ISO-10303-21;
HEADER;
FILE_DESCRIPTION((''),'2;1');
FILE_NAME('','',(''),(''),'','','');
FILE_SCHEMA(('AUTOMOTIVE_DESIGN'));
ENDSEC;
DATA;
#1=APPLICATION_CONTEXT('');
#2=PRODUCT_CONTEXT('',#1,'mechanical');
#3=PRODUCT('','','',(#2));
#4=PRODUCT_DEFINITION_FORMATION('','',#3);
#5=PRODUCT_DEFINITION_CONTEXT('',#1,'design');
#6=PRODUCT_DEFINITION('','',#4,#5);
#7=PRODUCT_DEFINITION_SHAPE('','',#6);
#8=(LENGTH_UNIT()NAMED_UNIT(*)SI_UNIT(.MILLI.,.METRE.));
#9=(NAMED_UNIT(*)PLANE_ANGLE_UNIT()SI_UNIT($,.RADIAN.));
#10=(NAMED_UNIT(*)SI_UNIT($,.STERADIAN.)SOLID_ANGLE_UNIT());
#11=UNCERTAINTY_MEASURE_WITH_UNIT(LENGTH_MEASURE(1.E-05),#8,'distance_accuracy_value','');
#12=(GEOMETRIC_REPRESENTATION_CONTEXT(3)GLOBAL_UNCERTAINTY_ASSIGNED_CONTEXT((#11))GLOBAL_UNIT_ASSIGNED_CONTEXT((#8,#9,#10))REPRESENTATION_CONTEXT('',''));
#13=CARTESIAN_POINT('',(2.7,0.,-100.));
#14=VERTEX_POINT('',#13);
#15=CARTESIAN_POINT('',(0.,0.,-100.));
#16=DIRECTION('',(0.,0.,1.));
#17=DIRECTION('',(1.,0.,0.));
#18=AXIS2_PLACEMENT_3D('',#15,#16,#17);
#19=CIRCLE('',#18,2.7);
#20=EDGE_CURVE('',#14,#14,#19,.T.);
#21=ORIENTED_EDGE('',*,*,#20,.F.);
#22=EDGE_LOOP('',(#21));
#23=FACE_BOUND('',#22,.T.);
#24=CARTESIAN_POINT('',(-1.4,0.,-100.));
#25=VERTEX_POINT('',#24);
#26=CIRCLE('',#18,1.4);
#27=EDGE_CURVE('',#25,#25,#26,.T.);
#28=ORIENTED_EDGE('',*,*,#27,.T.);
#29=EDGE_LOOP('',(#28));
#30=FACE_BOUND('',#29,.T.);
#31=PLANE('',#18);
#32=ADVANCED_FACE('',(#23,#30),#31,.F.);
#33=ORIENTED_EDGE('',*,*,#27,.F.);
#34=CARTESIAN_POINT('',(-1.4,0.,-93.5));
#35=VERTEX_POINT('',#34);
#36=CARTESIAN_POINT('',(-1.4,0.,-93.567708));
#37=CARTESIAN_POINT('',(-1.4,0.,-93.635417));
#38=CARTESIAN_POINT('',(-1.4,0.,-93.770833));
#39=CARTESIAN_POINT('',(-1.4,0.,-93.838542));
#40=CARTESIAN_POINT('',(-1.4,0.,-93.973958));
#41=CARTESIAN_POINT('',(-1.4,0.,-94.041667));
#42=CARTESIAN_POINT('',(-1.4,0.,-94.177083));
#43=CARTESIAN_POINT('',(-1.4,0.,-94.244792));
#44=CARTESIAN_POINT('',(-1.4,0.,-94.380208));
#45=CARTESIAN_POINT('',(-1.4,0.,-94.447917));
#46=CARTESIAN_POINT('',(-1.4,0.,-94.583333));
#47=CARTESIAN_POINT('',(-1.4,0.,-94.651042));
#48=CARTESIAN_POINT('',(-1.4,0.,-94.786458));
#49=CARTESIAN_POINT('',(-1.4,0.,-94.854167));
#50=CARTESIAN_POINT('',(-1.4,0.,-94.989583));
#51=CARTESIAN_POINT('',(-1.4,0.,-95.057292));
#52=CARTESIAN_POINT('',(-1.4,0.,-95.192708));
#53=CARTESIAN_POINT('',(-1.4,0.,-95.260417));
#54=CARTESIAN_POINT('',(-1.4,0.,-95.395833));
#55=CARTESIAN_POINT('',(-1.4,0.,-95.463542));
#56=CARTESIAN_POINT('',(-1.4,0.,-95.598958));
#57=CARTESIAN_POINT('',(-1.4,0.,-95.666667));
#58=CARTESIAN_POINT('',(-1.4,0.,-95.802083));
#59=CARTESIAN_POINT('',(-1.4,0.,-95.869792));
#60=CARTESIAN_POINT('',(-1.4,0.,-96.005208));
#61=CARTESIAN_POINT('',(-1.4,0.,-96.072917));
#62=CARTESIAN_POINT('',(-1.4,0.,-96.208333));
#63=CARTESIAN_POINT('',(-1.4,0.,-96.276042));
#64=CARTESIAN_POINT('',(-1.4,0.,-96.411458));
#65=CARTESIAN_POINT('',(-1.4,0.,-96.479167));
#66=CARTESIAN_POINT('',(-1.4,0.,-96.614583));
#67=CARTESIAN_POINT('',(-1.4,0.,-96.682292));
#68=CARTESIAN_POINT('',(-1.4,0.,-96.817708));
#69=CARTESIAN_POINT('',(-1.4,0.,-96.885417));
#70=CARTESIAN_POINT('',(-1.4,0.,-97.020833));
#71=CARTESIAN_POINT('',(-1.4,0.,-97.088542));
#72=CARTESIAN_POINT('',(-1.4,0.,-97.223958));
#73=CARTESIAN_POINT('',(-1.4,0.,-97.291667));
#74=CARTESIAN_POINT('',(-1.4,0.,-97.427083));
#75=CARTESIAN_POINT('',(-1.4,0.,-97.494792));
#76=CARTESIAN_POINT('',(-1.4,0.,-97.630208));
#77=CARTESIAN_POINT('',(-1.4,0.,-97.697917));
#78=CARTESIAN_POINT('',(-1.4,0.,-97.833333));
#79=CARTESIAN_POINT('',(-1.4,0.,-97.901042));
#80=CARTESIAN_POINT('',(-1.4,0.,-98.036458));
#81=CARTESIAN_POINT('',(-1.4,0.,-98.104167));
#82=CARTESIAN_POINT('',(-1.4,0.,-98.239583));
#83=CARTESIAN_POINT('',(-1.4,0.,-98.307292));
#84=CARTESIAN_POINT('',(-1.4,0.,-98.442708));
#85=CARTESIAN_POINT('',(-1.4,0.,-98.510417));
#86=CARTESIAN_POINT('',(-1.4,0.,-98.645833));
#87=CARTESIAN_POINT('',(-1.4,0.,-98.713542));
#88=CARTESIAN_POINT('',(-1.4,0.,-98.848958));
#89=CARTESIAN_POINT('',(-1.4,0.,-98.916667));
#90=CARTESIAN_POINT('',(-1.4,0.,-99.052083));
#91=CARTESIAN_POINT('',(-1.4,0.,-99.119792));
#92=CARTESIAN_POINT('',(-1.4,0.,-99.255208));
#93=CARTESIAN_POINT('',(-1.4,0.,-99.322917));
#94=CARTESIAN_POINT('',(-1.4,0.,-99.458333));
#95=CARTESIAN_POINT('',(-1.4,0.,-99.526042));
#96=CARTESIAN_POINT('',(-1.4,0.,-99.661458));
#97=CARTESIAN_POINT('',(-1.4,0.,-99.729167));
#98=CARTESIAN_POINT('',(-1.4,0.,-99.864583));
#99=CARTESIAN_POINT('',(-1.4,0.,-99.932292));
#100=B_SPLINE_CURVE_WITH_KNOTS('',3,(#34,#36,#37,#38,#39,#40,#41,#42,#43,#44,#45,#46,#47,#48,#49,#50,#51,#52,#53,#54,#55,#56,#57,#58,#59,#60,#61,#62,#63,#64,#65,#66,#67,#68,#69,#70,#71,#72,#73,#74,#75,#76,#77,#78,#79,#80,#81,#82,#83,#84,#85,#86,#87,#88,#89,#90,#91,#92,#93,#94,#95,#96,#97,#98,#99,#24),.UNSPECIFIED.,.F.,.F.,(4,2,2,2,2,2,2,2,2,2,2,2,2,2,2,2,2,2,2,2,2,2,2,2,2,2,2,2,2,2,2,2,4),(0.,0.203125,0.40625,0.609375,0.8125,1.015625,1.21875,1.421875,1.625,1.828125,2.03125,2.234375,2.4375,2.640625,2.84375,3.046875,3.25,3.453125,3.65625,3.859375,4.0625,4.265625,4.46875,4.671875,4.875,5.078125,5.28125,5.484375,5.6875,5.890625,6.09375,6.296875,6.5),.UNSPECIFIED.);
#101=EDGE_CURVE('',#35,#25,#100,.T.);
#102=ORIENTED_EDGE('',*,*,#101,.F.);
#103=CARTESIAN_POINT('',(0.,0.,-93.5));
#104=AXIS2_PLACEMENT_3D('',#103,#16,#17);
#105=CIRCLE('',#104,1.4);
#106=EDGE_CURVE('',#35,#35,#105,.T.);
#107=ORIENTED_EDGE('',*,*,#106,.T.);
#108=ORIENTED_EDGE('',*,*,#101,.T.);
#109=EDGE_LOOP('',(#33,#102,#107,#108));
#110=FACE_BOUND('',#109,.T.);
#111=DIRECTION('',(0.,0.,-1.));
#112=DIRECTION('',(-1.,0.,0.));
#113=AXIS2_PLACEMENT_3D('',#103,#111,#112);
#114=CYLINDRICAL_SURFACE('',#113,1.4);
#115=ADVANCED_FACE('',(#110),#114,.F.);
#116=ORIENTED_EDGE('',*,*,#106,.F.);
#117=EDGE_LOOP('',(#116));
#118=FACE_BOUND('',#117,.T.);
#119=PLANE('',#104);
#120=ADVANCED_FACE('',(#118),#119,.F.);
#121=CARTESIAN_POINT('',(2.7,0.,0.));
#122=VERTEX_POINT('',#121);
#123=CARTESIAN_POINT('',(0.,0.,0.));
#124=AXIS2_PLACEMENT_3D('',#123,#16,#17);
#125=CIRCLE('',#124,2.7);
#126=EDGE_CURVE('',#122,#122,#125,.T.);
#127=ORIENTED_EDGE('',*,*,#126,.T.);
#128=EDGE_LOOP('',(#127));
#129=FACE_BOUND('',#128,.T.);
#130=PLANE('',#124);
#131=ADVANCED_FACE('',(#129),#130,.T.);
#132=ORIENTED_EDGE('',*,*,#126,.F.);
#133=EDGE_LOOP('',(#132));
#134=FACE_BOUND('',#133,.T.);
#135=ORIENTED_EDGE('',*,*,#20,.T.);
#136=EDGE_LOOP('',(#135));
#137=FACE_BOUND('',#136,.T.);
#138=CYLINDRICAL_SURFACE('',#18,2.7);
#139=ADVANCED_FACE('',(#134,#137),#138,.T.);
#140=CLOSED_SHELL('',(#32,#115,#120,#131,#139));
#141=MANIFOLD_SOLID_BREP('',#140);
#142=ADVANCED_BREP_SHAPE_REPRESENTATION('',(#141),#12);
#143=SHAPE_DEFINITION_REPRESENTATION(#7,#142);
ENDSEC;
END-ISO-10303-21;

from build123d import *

# Parameters (mm, degrees)
SKETCH1_R             = 2.7
BASE_EXTRUDE_DEPTH    = 100
ESBO_O4_R             = 1.4
CORTE_EXTRUS_O2_DEPTH = 6.5


with BuildPart() as part:
    # Sketch1 → Base-Extrude (new body)
    with BuildSketch(Plane.XY):
        Circle(SKETCH1_R)
    extrude(amount=-BASE_EXTRUDE_DEPTH)

    # Esboço4 → Corte-extrusão2 (cut)
    with BuildSketch(Plane.XY.offset(-100)):
        with Locations(Location((0, 0, 0), (0, 0, 180))):
            Circle(ESBO_O4_R)
    extrude(amount=CORTE_EXTRUS_O2_DEPTH, mode=Mode.SUBTRACT)


solid = part.part
